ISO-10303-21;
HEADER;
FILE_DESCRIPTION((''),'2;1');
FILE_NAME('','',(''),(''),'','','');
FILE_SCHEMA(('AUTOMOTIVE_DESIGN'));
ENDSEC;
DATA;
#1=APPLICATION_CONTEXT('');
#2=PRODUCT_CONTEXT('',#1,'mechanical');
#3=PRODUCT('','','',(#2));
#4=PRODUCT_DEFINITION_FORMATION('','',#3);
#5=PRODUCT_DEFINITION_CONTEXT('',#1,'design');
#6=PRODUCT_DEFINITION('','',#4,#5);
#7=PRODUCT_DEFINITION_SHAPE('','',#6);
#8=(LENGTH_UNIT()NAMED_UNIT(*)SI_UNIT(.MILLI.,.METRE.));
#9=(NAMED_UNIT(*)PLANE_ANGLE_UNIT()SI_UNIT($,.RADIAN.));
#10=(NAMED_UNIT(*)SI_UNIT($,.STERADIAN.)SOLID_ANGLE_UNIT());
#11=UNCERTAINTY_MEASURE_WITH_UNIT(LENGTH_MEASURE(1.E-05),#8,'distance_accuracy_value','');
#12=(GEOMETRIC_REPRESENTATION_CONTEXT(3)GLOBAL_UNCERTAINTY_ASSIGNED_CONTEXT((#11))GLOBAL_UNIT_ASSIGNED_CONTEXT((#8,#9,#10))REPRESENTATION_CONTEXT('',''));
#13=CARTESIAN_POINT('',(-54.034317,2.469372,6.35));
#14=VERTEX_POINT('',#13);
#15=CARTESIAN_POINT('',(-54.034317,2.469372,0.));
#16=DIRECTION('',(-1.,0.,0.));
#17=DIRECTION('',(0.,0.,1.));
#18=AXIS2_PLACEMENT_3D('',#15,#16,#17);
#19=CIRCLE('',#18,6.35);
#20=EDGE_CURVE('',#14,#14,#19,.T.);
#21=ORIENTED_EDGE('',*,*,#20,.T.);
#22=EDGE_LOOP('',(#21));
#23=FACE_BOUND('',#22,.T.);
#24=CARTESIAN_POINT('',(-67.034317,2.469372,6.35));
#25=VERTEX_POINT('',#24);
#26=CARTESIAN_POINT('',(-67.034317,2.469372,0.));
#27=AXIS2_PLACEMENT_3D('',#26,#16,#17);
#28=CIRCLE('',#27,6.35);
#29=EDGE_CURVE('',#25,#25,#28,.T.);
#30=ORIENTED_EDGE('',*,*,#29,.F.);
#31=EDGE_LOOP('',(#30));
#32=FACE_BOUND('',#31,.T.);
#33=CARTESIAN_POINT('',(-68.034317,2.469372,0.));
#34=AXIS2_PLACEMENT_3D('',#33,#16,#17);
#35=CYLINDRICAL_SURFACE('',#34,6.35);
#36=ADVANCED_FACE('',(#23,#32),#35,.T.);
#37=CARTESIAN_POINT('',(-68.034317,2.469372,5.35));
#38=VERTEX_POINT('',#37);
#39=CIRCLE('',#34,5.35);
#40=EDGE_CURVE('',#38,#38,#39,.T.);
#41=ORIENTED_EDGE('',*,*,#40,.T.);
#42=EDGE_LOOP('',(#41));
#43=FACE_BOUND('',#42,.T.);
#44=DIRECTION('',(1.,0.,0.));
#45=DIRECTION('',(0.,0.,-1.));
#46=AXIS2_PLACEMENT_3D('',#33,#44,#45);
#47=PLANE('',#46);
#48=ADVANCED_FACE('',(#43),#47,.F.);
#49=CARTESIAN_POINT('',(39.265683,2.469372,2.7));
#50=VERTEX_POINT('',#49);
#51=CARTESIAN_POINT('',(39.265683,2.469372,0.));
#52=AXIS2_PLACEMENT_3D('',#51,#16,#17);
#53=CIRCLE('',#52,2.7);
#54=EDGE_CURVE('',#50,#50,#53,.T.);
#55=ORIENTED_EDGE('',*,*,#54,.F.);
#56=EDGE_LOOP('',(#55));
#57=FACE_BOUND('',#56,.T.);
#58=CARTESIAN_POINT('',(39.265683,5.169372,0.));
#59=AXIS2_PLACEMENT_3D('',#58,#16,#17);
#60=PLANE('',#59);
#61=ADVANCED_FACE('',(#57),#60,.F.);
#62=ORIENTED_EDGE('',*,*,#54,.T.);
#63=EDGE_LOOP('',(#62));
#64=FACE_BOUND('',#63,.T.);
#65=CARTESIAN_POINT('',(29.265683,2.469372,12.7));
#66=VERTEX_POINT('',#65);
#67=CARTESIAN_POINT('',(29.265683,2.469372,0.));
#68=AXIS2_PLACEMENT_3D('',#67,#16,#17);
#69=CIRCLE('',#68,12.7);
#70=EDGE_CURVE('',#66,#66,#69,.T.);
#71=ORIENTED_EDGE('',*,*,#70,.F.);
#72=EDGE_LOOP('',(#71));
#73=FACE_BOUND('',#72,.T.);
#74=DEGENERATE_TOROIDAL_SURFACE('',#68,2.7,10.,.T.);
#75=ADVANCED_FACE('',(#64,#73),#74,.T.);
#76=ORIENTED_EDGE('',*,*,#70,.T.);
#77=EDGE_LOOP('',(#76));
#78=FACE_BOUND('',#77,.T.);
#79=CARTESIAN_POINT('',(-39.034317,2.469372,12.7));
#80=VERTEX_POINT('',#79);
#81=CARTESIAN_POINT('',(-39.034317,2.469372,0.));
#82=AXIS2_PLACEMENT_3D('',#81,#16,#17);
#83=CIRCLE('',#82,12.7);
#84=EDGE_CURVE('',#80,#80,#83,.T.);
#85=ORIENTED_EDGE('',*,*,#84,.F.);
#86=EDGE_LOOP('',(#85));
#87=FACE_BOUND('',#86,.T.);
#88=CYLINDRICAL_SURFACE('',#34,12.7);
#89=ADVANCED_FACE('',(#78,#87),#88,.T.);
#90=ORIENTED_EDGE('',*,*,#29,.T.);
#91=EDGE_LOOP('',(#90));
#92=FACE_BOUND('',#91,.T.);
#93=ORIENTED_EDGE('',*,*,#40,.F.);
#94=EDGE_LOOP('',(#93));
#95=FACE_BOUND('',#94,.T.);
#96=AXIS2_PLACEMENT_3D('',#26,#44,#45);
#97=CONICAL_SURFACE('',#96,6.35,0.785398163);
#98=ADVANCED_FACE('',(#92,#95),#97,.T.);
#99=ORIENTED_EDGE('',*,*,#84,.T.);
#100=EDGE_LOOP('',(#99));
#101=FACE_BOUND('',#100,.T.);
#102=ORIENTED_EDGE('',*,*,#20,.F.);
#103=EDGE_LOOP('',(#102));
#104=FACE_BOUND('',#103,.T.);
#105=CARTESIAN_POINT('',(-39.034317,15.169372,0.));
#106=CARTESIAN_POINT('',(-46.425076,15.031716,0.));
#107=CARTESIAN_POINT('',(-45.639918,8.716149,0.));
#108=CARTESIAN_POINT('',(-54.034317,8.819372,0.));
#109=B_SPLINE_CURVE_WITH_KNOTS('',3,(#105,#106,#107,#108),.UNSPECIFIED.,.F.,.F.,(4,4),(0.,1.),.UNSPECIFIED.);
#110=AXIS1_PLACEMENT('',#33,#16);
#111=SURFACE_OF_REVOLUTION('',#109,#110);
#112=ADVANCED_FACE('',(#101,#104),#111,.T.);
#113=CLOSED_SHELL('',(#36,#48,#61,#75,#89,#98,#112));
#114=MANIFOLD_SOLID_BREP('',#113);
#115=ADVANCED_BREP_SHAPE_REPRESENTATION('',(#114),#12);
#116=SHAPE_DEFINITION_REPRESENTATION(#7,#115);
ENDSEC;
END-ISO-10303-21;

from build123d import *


with BuildPart() as part:
    # revolution body → Revolve1 (revolve)
    with BuildSketch(Plane.XY, mode=Mode.PRIVATE) as revolve1_sk:
        with BuildLine():
            Line((-67.034317062, 8.819371739), (-54.034317062, 8.819371739))
            add(Edge.make_bspline(
                [(-54.034317062, 8.819371739), (-45.639917935, 8.716149455), (-46.425076057, 15.031715968), (-39.034317062, 15.169371739)],
                knots=[0, 0, 0, 0, 1, 1, 1, 1], degree=3))
            Line((-39.034317062, 15.169371739), (29.265682938, 15.169371739))
            ThreePointArc((29.265682938, 15.169371739), (36.33675075, 12.24043955), (39.265682938, 5.169371739))
            Line((39.265682938, 5.169371739), (39.265682938, 2.469371739))
            Line((39.265682938, 2.469371739), (-68.034317062, 2.469371739))
            Line((-68.034317062, 2.469371739), (-68.034317062, 7.819371739))
            Line((-68.034317062, 7.819371739), (-67.034317062, 8.819371739))
        make_face()
    revolve(revolve1_sk.sketch.rotate(Axis((-68.034317062, 2.469371739, 0), (1, 0, 0)), 90), axis=Axis((-68.034317062, 2.469371739, 0), (1, 0, 0)))


solid = part.part
